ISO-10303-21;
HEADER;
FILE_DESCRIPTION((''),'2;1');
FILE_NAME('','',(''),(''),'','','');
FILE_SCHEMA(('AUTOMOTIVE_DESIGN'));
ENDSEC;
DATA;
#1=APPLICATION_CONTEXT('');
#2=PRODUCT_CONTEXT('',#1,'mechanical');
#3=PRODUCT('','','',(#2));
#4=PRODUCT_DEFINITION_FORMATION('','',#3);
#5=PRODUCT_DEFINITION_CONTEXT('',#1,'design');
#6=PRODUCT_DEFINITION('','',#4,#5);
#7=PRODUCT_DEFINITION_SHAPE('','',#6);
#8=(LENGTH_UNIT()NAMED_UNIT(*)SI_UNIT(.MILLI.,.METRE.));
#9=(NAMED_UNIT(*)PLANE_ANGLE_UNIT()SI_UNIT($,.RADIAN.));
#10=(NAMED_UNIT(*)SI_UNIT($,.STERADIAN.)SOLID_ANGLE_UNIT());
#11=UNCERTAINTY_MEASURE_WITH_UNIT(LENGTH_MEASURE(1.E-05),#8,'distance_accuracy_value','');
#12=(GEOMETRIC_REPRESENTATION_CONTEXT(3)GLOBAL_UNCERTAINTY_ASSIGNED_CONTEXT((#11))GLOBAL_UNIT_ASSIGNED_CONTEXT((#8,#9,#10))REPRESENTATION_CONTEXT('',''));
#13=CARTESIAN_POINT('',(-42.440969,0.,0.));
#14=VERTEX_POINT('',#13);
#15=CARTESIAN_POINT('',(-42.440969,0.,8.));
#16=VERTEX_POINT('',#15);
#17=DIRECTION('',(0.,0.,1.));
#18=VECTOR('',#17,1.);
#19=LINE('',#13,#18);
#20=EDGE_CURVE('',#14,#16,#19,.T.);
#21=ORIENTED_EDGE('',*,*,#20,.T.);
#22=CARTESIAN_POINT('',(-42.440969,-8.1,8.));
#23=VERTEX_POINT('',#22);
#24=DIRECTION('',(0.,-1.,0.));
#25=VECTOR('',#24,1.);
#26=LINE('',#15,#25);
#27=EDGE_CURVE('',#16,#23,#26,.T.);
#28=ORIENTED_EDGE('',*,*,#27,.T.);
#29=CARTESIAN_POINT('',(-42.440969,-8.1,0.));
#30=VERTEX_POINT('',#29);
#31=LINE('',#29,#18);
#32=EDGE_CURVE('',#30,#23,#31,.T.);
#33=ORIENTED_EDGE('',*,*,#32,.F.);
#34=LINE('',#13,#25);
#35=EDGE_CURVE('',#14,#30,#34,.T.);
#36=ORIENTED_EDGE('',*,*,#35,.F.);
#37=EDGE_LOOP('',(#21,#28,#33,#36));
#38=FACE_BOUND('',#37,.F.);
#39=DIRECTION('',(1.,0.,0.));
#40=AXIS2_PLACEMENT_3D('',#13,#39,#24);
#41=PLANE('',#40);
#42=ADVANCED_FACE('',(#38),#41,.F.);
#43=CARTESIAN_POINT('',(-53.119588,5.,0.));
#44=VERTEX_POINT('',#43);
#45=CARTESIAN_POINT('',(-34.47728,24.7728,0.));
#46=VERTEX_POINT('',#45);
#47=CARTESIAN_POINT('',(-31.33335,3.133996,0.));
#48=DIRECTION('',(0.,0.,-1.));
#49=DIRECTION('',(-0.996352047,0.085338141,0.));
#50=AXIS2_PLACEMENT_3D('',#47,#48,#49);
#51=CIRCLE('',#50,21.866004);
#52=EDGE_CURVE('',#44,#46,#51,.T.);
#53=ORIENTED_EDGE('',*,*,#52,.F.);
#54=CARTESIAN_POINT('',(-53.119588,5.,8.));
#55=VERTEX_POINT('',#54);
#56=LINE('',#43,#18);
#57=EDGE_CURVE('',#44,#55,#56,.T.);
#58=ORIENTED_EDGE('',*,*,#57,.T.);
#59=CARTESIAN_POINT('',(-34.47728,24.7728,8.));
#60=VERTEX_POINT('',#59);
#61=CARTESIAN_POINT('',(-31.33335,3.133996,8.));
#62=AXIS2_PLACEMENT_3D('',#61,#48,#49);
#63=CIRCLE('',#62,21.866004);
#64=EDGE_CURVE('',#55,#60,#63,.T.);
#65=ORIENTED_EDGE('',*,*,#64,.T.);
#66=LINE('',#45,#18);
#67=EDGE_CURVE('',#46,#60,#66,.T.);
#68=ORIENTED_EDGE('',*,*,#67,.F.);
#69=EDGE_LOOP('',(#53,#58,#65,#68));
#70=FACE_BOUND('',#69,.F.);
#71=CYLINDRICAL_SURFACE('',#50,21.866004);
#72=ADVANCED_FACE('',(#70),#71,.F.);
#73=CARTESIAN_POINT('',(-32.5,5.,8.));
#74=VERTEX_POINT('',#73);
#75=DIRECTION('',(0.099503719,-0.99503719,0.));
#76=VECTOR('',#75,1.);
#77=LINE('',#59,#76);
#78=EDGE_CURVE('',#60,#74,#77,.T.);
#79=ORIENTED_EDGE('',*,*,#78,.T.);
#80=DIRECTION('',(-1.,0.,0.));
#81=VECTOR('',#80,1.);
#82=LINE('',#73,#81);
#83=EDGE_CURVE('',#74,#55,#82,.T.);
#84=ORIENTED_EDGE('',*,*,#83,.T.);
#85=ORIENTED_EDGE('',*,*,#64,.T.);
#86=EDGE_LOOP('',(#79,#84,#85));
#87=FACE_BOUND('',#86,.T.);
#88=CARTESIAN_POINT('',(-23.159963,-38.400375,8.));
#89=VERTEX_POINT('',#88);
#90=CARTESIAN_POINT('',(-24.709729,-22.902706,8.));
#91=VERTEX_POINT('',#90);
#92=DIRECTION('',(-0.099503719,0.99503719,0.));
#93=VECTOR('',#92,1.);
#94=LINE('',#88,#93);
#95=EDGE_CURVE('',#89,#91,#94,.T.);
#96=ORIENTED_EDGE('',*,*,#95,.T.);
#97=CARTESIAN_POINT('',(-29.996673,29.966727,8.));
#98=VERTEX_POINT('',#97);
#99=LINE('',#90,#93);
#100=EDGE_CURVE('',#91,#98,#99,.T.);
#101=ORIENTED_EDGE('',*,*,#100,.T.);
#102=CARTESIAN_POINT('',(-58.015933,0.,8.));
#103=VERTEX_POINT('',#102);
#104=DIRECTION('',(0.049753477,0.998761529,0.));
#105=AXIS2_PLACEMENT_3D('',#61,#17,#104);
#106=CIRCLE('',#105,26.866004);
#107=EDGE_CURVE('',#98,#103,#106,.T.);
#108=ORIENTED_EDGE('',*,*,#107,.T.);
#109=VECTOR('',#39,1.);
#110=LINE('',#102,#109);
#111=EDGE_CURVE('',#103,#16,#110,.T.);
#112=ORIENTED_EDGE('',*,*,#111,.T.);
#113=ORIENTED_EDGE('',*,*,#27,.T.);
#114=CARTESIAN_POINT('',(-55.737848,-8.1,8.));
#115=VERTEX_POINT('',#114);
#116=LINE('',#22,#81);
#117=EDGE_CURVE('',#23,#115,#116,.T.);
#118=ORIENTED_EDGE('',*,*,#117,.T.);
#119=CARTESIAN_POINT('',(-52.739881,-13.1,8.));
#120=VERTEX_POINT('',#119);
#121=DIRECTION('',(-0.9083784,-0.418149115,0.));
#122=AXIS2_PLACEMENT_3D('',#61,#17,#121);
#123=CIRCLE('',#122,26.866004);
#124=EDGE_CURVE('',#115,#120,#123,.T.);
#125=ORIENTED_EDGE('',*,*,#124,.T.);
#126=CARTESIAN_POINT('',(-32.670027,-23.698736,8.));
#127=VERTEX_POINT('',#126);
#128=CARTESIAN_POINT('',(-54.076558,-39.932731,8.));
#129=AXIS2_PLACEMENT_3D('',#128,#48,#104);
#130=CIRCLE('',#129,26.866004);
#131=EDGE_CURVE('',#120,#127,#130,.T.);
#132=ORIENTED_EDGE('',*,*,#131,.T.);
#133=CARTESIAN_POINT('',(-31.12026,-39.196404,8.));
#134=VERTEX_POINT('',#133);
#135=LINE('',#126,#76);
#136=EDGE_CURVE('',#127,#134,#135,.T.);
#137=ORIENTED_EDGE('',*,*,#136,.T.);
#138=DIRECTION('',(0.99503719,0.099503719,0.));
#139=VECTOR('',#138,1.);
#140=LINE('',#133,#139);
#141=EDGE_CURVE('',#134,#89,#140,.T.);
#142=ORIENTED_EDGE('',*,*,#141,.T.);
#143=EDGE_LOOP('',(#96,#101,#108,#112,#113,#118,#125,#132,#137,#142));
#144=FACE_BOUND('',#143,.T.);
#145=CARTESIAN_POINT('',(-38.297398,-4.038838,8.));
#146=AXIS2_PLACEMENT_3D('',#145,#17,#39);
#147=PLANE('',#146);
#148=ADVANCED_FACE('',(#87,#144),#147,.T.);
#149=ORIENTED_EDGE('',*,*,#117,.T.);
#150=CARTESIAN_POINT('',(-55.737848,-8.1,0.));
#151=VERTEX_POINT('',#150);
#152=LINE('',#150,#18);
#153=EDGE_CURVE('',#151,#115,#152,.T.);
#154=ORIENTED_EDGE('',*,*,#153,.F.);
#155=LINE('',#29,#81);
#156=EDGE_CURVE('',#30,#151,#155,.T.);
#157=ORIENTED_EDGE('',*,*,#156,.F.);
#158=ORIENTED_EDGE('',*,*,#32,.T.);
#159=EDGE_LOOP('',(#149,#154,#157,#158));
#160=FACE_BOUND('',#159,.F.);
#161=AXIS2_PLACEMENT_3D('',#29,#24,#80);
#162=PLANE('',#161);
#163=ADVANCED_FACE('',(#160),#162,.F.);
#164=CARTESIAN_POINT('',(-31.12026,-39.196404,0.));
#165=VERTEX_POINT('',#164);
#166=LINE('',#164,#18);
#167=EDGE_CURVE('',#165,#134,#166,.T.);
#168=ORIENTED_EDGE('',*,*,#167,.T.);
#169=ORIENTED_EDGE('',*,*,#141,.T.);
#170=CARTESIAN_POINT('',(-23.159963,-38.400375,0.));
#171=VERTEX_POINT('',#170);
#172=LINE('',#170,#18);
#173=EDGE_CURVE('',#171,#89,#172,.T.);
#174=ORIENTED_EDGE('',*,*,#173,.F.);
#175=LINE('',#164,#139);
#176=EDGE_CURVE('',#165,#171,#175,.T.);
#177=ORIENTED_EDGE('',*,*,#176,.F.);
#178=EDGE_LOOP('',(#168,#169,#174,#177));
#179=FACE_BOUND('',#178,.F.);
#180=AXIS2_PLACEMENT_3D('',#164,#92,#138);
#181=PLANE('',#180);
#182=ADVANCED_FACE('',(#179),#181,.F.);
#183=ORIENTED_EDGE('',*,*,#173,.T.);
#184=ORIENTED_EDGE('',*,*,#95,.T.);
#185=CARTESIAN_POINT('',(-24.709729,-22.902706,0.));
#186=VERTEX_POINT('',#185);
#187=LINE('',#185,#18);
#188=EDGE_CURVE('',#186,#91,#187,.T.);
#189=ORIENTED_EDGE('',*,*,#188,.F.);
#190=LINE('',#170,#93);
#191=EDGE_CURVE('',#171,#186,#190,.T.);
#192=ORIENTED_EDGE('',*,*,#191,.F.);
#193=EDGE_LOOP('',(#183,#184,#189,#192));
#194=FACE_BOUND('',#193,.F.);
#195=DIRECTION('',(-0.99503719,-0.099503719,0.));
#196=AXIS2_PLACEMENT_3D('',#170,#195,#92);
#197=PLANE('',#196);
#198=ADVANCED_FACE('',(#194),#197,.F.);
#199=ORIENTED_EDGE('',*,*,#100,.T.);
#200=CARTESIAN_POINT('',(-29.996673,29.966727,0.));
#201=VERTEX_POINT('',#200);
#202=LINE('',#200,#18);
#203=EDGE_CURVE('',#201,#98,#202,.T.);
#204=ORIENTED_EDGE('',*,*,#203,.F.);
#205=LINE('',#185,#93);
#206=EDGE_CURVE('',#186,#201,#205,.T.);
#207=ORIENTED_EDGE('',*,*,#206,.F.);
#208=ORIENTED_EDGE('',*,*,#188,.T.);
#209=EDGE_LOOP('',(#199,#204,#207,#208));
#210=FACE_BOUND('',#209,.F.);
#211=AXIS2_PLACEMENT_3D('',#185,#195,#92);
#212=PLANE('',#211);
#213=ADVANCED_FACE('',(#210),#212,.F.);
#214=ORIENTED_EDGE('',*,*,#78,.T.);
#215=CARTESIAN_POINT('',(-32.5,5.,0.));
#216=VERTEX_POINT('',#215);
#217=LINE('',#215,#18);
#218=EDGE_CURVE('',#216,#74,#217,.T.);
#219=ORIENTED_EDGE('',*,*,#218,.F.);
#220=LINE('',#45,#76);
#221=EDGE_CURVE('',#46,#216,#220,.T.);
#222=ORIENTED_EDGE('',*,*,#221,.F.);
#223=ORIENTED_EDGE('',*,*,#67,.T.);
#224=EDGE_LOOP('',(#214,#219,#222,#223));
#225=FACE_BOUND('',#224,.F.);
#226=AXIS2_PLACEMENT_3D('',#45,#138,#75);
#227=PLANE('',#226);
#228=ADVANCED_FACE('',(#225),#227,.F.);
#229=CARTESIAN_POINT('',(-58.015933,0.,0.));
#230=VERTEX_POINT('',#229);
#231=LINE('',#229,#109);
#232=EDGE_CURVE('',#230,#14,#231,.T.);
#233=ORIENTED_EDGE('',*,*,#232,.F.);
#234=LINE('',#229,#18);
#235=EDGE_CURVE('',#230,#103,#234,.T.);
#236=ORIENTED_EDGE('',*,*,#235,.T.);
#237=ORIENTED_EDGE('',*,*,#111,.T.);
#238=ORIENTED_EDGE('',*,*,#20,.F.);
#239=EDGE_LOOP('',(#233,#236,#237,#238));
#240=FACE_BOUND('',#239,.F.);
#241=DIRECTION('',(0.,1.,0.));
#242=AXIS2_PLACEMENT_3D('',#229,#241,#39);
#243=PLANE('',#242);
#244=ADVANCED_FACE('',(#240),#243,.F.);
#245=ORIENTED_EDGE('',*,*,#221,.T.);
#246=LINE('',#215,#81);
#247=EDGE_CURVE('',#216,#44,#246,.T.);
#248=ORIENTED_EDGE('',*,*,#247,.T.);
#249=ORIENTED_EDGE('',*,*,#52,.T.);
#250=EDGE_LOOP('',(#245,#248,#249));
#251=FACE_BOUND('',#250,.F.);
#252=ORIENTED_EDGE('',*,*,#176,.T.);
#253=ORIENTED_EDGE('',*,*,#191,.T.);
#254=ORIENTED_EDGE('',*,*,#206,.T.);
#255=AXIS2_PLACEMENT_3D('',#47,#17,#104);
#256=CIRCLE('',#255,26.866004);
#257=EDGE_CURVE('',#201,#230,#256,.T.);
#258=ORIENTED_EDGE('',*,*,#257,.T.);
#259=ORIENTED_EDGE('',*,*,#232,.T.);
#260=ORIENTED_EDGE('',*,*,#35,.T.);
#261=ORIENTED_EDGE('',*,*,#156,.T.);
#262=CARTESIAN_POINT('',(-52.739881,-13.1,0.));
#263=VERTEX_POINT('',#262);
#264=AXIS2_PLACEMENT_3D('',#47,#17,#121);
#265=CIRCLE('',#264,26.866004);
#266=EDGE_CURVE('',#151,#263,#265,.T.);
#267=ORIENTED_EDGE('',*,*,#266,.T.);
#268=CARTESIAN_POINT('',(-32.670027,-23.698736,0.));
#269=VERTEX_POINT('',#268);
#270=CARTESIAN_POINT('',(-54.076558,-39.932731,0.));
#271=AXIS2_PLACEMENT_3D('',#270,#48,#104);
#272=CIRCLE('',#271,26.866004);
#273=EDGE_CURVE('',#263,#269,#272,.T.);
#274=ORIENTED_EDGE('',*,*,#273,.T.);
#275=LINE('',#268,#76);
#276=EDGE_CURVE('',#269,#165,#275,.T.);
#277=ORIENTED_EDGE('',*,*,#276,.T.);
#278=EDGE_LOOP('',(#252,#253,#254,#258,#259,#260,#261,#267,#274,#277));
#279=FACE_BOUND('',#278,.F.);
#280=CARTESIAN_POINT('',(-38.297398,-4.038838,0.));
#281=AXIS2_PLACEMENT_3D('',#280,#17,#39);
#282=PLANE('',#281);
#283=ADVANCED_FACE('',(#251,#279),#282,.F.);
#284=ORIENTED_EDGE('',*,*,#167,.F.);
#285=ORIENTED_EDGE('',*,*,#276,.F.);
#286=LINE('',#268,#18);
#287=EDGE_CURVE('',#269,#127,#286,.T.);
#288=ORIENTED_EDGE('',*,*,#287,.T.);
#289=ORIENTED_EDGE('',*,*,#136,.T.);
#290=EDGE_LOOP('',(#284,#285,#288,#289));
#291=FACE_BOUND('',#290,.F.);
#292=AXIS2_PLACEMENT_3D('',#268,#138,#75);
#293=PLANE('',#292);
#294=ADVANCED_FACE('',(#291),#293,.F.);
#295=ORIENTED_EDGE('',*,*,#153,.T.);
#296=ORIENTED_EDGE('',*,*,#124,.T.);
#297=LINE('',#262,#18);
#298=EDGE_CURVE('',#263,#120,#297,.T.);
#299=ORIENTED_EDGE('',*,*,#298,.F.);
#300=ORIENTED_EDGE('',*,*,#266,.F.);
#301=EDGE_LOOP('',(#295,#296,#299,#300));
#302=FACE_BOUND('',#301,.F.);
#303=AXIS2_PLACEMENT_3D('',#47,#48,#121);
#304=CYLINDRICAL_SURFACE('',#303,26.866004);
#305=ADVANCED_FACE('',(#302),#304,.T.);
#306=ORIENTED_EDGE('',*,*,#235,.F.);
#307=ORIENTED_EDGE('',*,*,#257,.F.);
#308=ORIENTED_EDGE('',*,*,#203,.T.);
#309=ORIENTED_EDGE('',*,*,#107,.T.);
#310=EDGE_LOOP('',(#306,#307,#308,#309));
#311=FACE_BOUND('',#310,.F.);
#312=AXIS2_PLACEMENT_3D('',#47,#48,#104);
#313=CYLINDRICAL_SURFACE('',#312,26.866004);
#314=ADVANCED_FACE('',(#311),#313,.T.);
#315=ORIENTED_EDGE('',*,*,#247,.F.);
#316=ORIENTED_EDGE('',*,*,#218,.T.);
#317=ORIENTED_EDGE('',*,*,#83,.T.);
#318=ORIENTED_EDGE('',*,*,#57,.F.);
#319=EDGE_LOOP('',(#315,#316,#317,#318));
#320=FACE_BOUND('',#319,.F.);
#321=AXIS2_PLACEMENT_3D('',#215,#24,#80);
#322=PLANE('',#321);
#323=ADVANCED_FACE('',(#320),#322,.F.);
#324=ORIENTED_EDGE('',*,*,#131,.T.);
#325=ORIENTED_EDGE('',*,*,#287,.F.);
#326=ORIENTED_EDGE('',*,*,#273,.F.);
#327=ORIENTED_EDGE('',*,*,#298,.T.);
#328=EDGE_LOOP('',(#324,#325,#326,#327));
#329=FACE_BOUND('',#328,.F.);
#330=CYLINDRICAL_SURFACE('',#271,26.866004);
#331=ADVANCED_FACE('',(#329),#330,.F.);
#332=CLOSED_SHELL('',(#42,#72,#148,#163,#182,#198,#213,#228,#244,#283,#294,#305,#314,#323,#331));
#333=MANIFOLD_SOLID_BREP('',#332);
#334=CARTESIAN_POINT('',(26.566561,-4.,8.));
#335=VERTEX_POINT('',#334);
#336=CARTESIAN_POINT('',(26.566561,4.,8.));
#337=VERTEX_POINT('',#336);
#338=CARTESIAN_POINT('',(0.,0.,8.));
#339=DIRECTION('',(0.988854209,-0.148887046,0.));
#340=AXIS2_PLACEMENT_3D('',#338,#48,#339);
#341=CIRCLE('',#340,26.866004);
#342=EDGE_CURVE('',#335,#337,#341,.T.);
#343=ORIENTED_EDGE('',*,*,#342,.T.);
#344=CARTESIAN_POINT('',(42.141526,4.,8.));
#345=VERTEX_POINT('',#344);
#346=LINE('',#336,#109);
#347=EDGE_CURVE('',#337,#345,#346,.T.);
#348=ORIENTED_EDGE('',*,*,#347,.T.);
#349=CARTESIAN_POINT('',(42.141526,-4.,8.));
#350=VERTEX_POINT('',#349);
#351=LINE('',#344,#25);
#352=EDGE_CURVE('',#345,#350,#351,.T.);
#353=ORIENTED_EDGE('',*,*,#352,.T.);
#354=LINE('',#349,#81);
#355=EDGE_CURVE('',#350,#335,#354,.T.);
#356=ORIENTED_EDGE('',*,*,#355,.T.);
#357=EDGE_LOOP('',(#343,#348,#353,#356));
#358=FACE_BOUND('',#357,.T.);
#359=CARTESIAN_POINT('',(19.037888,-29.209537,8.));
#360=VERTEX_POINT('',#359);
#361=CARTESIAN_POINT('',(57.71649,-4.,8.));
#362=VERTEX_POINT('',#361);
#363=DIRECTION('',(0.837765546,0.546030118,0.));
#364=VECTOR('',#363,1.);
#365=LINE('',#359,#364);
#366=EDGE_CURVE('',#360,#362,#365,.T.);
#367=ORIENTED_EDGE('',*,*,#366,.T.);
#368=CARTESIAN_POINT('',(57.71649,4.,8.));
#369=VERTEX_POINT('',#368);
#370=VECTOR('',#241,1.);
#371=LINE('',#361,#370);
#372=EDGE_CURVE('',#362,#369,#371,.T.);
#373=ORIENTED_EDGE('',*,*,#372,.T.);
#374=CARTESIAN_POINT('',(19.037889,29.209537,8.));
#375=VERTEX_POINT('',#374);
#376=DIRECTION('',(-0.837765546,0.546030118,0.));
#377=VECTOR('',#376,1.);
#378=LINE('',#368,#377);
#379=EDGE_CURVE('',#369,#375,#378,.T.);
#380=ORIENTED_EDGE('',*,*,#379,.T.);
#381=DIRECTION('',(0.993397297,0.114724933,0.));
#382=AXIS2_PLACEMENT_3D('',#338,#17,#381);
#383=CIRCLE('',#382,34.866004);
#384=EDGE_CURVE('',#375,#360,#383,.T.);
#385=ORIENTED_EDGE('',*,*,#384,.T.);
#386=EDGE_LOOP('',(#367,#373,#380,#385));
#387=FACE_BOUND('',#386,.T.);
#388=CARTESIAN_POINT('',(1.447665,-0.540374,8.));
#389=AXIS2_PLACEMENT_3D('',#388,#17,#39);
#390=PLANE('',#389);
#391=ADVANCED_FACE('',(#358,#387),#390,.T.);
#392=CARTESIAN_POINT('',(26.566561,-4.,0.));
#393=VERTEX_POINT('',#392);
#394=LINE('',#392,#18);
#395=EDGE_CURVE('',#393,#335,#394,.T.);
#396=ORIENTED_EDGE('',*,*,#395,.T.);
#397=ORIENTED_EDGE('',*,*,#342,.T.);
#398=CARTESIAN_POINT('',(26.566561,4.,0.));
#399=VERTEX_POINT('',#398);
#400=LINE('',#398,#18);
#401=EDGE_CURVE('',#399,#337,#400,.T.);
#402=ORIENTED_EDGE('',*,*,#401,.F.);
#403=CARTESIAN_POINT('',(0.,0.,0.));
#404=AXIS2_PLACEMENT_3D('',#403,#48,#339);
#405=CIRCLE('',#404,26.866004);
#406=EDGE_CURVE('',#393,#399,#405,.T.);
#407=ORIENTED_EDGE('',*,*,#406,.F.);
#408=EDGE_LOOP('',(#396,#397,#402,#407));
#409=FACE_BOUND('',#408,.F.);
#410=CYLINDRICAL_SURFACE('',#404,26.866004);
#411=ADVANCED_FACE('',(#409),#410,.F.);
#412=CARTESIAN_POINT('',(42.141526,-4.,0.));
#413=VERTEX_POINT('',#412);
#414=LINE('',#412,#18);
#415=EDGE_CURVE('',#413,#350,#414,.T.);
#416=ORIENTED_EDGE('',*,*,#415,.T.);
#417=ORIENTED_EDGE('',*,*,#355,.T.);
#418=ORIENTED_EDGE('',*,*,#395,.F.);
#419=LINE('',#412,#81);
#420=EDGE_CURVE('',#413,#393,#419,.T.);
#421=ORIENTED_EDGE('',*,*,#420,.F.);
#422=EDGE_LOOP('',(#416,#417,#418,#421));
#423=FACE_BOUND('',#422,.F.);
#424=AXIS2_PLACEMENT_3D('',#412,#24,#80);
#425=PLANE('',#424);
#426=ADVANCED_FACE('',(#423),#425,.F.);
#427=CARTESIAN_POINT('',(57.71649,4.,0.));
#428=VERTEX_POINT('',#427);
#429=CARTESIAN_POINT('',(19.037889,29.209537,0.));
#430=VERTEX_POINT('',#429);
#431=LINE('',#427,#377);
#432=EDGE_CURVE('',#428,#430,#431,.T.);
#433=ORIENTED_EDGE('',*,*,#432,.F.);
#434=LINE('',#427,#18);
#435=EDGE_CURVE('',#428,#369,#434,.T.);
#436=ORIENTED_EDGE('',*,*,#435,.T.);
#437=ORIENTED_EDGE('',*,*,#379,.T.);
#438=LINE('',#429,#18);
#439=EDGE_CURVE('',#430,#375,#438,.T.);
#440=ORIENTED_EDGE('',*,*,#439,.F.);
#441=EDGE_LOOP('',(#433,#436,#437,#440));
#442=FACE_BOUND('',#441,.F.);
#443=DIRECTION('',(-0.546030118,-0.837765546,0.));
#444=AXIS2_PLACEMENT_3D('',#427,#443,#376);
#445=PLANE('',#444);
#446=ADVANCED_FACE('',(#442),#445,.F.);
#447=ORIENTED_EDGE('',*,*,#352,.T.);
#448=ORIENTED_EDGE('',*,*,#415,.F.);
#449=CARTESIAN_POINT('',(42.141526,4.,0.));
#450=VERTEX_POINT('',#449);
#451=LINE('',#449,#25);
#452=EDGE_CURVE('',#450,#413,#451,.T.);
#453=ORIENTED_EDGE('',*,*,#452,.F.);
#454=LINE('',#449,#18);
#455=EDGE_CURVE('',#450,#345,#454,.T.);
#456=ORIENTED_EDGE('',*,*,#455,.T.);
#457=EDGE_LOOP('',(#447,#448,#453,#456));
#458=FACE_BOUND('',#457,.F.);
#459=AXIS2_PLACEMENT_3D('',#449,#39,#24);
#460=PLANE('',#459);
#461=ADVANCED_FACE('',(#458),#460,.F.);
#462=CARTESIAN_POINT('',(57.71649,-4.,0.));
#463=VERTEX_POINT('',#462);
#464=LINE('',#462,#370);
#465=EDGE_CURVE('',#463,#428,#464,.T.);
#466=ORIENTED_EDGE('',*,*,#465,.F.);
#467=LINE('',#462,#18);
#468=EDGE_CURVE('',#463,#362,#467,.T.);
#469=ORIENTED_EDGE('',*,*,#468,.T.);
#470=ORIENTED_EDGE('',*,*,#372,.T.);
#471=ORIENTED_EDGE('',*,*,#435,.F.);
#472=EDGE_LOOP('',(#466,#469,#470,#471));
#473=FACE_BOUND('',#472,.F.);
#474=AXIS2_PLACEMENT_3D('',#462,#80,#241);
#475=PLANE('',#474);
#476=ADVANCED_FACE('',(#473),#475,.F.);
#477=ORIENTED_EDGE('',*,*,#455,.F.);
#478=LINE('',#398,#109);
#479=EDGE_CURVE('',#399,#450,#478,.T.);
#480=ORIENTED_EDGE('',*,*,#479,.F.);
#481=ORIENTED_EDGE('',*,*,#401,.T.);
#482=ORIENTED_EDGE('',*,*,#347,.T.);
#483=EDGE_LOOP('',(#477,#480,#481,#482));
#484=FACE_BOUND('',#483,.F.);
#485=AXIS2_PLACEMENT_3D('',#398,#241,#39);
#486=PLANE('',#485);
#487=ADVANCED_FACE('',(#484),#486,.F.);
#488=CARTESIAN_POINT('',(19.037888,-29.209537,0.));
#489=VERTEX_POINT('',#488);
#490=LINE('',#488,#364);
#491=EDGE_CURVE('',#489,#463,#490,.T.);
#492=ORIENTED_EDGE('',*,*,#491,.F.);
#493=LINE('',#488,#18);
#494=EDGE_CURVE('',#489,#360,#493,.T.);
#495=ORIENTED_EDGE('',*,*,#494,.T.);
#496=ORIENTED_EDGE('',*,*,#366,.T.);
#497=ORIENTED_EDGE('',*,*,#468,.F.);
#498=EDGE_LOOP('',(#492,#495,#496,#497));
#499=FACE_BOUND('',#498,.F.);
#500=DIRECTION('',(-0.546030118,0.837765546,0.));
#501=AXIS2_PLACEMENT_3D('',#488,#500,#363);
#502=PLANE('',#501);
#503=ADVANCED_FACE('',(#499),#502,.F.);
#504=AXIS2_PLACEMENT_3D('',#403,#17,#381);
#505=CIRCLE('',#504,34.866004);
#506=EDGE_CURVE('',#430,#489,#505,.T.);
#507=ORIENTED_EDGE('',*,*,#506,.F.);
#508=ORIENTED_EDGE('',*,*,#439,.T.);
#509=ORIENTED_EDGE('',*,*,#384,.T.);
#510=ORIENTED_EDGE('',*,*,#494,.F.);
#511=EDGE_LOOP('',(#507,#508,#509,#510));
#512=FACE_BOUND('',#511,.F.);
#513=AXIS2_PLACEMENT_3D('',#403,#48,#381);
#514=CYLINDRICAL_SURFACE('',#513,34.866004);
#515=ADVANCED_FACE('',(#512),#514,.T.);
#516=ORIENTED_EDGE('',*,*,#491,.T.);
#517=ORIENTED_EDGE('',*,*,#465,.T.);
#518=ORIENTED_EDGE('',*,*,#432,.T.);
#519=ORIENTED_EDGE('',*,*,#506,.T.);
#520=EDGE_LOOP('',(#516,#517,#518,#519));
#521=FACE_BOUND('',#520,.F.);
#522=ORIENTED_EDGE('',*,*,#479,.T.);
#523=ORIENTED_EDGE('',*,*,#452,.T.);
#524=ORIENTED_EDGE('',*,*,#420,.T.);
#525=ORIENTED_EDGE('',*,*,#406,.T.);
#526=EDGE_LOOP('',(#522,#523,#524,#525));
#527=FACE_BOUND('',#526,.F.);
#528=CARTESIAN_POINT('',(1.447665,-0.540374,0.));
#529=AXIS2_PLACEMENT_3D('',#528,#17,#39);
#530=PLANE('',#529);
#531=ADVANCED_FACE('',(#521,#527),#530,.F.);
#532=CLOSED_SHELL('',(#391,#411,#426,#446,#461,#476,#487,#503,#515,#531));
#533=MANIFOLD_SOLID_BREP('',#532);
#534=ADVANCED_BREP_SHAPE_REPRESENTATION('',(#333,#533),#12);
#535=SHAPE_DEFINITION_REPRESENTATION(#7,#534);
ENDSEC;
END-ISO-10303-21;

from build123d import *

# Parameters (mm, degrees)
F3_DEPTH = 8
F4_DEPTH = 8


with BuildPart() as f3:
    # F2 (on Top) → F3 (new body)
    with BuildSketch(Plane.XY):
        with BuildLine():
            Line((-58.0159330708, 0), (-42.4409686032, 0))
            Line((-42.4409686032, 0), (-42.4409686032, -8.1))
            Line((-42.4409686032, -8.1), (-55.7378476813, -8.1))
            ThreePointArc((-55.7378476813, -8.1), (-54.3748902361, -10.6815603734), (-52.7398805322, -13.1))
            ThreePointArc((-52.7398805322, -13.1), (-41.5307745311, -16.1759322479), (-32.6700269468, -23.6987355009))
            Line((-32.6700269468, -23.6987355009), (-31.1202600587, -39.1964043823))
            Line((-31.1202600587, -39.1964043823), (-23.159962537, -38.4003746301))
            Line((-23.159962537, -38.4003746301), (-24.7097294251, -22.9027057487))
            Line((-24.7097294251, -22.9027057487), (-27.5, 5))
            Line((-27.5, 5), (-29.996672723, 29.9667272295))
            ThreePointArc((-29.996672723, 29.9667272295), (-50.9574402475, 21.4827629536), (-58.0159330708, 0))
        make_face()
        with BuildLine():
            Line((-34.4772799899, 24.7727998988), (-32.5, 5))
            Line((-32.5, 5), (-46.0044369102, 5))
            Line((-46.0044369102, 5), (-53.1195878173, 5))
            ThreePointArc((-53.1195878173, 5), (-47.2430709135, 18.1340929327), (-34.4772799899, 24.7727998988))
        make_face(mode=Mode.SUBTRACT)
    extrude(amount=F3_DEPTH)


with BuildPart() as f4:
    # F1 (on Top) → F4 (new body)
    with BuildSketch(Plane.XY):
        with BuildLine():
            ThreePointArc((34.6357942653, 4), (29.6495572621, 18.3450810451), (19.0378886491, 29.2095368018))
            ThreePointArc((19.0378886491, 29.2095368018), (-34.8660041357, 2.579e-07), (19.0378882169, -29.2095370834))
            ThreePointArc((19.0378882169, -29.2095370834), (29.6495571264, -18.3450812644), (34.6357942653, -4))
            Line((34.6357942653, -4), (26.5665612795, -4))
            ThreePointArc((26.5665612795, -4), (-26.8660041357, 0), (26.5665612795, 4))
            Line((26.5665612795, 4), (34.6357942653, 4))
        make_face()
        with BuildLine():
            Line((57.7164902146, -4), (57.7164902146, 0))
            Line((57.7164902146, 0), (57.7164902146, 4))
            Line((57.7164902146, 4), (19.0378886491, 29.2095368018))
            ThreePointArc((19.0378886491, 29.2095368018), (29.6495572621, 18.3450810451), (34.6357942653, 4))
            Line((34.6357942653, 4), (42.1415257471, 4))
            Line((42.1415257471, 4), (42.1415257471, -4))
            Line((42.1415257471, -4), (34.6357942653, -4))
            ThreePointArc((34.6357942653, -4), (29.6495571264, -18.3450812644), (19.0378882169, -29.2095370834))
            Line((19.0378882169, -29.2095370834), (57.7164902146, -4))
        make_face()
    extrude(amount=F4_DEPTH)


solid = Compound([f3.part, f4.part])
